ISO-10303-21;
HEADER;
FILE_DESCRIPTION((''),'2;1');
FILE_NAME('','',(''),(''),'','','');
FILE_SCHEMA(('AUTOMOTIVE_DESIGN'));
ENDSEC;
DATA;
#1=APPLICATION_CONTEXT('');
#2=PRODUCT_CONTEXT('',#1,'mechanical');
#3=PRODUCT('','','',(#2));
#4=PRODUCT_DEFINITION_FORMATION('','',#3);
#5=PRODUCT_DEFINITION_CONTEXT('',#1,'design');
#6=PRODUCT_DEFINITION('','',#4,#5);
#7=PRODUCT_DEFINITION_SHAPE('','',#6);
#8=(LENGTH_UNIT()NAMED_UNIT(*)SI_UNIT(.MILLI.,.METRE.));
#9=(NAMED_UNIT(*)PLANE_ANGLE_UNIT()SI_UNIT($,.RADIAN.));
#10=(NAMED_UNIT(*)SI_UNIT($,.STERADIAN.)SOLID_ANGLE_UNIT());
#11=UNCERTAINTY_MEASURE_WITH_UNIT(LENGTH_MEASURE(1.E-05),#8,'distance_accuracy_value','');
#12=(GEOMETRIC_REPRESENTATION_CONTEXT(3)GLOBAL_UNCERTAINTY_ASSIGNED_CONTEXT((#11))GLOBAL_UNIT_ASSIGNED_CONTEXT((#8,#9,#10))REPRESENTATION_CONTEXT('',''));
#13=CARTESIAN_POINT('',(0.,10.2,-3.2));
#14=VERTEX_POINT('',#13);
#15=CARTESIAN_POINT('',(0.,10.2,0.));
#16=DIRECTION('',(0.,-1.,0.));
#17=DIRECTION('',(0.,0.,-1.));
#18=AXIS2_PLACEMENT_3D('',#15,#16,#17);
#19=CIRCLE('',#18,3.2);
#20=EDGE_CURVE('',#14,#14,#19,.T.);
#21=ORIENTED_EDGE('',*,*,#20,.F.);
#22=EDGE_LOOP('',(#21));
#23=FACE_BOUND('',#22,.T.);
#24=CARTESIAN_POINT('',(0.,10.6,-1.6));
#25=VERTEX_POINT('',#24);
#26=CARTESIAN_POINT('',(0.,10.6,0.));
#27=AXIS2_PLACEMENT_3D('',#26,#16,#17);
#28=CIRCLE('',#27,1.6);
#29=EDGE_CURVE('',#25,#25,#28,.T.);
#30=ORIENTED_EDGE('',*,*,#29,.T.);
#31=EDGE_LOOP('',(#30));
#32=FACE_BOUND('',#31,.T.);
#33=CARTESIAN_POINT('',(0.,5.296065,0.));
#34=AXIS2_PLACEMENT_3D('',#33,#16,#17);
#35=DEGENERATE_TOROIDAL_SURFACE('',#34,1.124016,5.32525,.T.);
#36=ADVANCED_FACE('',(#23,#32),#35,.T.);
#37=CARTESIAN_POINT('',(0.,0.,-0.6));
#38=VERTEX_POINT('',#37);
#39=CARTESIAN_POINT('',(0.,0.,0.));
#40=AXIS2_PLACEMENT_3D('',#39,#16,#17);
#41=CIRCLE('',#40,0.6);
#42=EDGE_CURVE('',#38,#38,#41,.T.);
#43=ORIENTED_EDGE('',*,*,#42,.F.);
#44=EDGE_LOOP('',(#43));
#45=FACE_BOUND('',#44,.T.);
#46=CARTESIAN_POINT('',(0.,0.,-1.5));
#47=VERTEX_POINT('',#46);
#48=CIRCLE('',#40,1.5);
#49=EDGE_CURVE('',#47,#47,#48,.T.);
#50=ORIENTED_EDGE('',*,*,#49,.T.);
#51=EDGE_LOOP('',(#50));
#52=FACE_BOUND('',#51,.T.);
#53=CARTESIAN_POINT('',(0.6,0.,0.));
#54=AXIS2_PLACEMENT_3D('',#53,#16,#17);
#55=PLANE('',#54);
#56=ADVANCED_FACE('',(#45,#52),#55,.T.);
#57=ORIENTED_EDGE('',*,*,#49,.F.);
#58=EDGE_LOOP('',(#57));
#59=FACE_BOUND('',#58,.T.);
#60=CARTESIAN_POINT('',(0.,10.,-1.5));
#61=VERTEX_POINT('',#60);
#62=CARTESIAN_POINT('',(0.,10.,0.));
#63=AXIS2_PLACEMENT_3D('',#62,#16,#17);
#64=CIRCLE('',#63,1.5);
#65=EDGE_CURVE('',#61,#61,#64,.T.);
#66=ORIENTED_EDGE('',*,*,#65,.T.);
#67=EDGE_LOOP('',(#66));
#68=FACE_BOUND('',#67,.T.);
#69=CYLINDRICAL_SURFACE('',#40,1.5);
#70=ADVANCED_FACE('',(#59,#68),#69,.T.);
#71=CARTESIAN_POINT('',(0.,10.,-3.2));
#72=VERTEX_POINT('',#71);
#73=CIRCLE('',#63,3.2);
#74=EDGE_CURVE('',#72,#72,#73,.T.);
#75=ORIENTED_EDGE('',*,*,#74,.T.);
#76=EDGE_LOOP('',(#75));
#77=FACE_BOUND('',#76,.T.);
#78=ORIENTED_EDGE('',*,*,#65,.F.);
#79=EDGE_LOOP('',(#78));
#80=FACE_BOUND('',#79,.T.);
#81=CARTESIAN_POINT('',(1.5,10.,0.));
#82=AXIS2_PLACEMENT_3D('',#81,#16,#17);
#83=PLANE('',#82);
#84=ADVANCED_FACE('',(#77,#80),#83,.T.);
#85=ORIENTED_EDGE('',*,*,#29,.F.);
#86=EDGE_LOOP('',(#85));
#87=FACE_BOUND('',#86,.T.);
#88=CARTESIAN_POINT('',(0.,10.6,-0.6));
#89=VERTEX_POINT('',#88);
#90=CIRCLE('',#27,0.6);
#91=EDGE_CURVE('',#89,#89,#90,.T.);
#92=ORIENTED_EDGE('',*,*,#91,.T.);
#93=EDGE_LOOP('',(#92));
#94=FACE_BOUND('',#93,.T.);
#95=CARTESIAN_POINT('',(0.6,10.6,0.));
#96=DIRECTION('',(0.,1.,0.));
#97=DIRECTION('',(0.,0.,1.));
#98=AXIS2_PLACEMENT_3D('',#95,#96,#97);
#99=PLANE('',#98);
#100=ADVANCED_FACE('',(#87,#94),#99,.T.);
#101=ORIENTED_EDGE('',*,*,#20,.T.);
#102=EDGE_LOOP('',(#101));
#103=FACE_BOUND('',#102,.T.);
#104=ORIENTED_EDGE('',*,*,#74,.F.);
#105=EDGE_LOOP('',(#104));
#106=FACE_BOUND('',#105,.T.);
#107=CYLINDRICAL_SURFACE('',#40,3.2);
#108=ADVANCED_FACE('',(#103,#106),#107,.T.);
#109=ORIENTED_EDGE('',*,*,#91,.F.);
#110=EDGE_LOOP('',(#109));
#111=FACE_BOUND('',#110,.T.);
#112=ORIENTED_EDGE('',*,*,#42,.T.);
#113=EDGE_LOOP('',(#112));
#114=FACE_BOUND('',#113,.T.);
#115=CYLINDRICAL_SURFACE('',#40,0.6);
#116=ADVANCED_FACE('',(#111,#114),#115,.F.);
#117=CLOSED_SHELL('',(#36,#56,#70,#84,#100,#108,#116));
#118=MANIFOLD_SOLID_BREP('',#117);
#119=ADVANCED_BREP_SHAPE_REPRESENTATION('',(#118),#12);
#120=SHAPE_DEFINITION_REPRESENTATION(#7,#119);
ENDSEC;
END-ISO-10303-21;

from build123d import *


with BuildPart() as part:
    # Sketch1 → Revolve1 (revolve)
    with BuildSketch(Plane.XY):
        with BuildLine():
            Line((0.6, 0), (1.5, 0))
            Line((1.5, 0), (1.5, 10))
            Line((1.5, 10), (3.2, 10))
            Line((3.2, 10), (3.2, 10.2))
            ThreePointArc((3.2, 10.2), (2.415579075, 10.462316301), (1.6, 10.6))
            Line((1.6, 10.6), (0.6, 10.6))
            Line((0.6, 10.6), (0.6, 0))
        make_face()
    revolve(axis=Axis((0, 0, 0), (0, 1, 0)))


solid = part.part
